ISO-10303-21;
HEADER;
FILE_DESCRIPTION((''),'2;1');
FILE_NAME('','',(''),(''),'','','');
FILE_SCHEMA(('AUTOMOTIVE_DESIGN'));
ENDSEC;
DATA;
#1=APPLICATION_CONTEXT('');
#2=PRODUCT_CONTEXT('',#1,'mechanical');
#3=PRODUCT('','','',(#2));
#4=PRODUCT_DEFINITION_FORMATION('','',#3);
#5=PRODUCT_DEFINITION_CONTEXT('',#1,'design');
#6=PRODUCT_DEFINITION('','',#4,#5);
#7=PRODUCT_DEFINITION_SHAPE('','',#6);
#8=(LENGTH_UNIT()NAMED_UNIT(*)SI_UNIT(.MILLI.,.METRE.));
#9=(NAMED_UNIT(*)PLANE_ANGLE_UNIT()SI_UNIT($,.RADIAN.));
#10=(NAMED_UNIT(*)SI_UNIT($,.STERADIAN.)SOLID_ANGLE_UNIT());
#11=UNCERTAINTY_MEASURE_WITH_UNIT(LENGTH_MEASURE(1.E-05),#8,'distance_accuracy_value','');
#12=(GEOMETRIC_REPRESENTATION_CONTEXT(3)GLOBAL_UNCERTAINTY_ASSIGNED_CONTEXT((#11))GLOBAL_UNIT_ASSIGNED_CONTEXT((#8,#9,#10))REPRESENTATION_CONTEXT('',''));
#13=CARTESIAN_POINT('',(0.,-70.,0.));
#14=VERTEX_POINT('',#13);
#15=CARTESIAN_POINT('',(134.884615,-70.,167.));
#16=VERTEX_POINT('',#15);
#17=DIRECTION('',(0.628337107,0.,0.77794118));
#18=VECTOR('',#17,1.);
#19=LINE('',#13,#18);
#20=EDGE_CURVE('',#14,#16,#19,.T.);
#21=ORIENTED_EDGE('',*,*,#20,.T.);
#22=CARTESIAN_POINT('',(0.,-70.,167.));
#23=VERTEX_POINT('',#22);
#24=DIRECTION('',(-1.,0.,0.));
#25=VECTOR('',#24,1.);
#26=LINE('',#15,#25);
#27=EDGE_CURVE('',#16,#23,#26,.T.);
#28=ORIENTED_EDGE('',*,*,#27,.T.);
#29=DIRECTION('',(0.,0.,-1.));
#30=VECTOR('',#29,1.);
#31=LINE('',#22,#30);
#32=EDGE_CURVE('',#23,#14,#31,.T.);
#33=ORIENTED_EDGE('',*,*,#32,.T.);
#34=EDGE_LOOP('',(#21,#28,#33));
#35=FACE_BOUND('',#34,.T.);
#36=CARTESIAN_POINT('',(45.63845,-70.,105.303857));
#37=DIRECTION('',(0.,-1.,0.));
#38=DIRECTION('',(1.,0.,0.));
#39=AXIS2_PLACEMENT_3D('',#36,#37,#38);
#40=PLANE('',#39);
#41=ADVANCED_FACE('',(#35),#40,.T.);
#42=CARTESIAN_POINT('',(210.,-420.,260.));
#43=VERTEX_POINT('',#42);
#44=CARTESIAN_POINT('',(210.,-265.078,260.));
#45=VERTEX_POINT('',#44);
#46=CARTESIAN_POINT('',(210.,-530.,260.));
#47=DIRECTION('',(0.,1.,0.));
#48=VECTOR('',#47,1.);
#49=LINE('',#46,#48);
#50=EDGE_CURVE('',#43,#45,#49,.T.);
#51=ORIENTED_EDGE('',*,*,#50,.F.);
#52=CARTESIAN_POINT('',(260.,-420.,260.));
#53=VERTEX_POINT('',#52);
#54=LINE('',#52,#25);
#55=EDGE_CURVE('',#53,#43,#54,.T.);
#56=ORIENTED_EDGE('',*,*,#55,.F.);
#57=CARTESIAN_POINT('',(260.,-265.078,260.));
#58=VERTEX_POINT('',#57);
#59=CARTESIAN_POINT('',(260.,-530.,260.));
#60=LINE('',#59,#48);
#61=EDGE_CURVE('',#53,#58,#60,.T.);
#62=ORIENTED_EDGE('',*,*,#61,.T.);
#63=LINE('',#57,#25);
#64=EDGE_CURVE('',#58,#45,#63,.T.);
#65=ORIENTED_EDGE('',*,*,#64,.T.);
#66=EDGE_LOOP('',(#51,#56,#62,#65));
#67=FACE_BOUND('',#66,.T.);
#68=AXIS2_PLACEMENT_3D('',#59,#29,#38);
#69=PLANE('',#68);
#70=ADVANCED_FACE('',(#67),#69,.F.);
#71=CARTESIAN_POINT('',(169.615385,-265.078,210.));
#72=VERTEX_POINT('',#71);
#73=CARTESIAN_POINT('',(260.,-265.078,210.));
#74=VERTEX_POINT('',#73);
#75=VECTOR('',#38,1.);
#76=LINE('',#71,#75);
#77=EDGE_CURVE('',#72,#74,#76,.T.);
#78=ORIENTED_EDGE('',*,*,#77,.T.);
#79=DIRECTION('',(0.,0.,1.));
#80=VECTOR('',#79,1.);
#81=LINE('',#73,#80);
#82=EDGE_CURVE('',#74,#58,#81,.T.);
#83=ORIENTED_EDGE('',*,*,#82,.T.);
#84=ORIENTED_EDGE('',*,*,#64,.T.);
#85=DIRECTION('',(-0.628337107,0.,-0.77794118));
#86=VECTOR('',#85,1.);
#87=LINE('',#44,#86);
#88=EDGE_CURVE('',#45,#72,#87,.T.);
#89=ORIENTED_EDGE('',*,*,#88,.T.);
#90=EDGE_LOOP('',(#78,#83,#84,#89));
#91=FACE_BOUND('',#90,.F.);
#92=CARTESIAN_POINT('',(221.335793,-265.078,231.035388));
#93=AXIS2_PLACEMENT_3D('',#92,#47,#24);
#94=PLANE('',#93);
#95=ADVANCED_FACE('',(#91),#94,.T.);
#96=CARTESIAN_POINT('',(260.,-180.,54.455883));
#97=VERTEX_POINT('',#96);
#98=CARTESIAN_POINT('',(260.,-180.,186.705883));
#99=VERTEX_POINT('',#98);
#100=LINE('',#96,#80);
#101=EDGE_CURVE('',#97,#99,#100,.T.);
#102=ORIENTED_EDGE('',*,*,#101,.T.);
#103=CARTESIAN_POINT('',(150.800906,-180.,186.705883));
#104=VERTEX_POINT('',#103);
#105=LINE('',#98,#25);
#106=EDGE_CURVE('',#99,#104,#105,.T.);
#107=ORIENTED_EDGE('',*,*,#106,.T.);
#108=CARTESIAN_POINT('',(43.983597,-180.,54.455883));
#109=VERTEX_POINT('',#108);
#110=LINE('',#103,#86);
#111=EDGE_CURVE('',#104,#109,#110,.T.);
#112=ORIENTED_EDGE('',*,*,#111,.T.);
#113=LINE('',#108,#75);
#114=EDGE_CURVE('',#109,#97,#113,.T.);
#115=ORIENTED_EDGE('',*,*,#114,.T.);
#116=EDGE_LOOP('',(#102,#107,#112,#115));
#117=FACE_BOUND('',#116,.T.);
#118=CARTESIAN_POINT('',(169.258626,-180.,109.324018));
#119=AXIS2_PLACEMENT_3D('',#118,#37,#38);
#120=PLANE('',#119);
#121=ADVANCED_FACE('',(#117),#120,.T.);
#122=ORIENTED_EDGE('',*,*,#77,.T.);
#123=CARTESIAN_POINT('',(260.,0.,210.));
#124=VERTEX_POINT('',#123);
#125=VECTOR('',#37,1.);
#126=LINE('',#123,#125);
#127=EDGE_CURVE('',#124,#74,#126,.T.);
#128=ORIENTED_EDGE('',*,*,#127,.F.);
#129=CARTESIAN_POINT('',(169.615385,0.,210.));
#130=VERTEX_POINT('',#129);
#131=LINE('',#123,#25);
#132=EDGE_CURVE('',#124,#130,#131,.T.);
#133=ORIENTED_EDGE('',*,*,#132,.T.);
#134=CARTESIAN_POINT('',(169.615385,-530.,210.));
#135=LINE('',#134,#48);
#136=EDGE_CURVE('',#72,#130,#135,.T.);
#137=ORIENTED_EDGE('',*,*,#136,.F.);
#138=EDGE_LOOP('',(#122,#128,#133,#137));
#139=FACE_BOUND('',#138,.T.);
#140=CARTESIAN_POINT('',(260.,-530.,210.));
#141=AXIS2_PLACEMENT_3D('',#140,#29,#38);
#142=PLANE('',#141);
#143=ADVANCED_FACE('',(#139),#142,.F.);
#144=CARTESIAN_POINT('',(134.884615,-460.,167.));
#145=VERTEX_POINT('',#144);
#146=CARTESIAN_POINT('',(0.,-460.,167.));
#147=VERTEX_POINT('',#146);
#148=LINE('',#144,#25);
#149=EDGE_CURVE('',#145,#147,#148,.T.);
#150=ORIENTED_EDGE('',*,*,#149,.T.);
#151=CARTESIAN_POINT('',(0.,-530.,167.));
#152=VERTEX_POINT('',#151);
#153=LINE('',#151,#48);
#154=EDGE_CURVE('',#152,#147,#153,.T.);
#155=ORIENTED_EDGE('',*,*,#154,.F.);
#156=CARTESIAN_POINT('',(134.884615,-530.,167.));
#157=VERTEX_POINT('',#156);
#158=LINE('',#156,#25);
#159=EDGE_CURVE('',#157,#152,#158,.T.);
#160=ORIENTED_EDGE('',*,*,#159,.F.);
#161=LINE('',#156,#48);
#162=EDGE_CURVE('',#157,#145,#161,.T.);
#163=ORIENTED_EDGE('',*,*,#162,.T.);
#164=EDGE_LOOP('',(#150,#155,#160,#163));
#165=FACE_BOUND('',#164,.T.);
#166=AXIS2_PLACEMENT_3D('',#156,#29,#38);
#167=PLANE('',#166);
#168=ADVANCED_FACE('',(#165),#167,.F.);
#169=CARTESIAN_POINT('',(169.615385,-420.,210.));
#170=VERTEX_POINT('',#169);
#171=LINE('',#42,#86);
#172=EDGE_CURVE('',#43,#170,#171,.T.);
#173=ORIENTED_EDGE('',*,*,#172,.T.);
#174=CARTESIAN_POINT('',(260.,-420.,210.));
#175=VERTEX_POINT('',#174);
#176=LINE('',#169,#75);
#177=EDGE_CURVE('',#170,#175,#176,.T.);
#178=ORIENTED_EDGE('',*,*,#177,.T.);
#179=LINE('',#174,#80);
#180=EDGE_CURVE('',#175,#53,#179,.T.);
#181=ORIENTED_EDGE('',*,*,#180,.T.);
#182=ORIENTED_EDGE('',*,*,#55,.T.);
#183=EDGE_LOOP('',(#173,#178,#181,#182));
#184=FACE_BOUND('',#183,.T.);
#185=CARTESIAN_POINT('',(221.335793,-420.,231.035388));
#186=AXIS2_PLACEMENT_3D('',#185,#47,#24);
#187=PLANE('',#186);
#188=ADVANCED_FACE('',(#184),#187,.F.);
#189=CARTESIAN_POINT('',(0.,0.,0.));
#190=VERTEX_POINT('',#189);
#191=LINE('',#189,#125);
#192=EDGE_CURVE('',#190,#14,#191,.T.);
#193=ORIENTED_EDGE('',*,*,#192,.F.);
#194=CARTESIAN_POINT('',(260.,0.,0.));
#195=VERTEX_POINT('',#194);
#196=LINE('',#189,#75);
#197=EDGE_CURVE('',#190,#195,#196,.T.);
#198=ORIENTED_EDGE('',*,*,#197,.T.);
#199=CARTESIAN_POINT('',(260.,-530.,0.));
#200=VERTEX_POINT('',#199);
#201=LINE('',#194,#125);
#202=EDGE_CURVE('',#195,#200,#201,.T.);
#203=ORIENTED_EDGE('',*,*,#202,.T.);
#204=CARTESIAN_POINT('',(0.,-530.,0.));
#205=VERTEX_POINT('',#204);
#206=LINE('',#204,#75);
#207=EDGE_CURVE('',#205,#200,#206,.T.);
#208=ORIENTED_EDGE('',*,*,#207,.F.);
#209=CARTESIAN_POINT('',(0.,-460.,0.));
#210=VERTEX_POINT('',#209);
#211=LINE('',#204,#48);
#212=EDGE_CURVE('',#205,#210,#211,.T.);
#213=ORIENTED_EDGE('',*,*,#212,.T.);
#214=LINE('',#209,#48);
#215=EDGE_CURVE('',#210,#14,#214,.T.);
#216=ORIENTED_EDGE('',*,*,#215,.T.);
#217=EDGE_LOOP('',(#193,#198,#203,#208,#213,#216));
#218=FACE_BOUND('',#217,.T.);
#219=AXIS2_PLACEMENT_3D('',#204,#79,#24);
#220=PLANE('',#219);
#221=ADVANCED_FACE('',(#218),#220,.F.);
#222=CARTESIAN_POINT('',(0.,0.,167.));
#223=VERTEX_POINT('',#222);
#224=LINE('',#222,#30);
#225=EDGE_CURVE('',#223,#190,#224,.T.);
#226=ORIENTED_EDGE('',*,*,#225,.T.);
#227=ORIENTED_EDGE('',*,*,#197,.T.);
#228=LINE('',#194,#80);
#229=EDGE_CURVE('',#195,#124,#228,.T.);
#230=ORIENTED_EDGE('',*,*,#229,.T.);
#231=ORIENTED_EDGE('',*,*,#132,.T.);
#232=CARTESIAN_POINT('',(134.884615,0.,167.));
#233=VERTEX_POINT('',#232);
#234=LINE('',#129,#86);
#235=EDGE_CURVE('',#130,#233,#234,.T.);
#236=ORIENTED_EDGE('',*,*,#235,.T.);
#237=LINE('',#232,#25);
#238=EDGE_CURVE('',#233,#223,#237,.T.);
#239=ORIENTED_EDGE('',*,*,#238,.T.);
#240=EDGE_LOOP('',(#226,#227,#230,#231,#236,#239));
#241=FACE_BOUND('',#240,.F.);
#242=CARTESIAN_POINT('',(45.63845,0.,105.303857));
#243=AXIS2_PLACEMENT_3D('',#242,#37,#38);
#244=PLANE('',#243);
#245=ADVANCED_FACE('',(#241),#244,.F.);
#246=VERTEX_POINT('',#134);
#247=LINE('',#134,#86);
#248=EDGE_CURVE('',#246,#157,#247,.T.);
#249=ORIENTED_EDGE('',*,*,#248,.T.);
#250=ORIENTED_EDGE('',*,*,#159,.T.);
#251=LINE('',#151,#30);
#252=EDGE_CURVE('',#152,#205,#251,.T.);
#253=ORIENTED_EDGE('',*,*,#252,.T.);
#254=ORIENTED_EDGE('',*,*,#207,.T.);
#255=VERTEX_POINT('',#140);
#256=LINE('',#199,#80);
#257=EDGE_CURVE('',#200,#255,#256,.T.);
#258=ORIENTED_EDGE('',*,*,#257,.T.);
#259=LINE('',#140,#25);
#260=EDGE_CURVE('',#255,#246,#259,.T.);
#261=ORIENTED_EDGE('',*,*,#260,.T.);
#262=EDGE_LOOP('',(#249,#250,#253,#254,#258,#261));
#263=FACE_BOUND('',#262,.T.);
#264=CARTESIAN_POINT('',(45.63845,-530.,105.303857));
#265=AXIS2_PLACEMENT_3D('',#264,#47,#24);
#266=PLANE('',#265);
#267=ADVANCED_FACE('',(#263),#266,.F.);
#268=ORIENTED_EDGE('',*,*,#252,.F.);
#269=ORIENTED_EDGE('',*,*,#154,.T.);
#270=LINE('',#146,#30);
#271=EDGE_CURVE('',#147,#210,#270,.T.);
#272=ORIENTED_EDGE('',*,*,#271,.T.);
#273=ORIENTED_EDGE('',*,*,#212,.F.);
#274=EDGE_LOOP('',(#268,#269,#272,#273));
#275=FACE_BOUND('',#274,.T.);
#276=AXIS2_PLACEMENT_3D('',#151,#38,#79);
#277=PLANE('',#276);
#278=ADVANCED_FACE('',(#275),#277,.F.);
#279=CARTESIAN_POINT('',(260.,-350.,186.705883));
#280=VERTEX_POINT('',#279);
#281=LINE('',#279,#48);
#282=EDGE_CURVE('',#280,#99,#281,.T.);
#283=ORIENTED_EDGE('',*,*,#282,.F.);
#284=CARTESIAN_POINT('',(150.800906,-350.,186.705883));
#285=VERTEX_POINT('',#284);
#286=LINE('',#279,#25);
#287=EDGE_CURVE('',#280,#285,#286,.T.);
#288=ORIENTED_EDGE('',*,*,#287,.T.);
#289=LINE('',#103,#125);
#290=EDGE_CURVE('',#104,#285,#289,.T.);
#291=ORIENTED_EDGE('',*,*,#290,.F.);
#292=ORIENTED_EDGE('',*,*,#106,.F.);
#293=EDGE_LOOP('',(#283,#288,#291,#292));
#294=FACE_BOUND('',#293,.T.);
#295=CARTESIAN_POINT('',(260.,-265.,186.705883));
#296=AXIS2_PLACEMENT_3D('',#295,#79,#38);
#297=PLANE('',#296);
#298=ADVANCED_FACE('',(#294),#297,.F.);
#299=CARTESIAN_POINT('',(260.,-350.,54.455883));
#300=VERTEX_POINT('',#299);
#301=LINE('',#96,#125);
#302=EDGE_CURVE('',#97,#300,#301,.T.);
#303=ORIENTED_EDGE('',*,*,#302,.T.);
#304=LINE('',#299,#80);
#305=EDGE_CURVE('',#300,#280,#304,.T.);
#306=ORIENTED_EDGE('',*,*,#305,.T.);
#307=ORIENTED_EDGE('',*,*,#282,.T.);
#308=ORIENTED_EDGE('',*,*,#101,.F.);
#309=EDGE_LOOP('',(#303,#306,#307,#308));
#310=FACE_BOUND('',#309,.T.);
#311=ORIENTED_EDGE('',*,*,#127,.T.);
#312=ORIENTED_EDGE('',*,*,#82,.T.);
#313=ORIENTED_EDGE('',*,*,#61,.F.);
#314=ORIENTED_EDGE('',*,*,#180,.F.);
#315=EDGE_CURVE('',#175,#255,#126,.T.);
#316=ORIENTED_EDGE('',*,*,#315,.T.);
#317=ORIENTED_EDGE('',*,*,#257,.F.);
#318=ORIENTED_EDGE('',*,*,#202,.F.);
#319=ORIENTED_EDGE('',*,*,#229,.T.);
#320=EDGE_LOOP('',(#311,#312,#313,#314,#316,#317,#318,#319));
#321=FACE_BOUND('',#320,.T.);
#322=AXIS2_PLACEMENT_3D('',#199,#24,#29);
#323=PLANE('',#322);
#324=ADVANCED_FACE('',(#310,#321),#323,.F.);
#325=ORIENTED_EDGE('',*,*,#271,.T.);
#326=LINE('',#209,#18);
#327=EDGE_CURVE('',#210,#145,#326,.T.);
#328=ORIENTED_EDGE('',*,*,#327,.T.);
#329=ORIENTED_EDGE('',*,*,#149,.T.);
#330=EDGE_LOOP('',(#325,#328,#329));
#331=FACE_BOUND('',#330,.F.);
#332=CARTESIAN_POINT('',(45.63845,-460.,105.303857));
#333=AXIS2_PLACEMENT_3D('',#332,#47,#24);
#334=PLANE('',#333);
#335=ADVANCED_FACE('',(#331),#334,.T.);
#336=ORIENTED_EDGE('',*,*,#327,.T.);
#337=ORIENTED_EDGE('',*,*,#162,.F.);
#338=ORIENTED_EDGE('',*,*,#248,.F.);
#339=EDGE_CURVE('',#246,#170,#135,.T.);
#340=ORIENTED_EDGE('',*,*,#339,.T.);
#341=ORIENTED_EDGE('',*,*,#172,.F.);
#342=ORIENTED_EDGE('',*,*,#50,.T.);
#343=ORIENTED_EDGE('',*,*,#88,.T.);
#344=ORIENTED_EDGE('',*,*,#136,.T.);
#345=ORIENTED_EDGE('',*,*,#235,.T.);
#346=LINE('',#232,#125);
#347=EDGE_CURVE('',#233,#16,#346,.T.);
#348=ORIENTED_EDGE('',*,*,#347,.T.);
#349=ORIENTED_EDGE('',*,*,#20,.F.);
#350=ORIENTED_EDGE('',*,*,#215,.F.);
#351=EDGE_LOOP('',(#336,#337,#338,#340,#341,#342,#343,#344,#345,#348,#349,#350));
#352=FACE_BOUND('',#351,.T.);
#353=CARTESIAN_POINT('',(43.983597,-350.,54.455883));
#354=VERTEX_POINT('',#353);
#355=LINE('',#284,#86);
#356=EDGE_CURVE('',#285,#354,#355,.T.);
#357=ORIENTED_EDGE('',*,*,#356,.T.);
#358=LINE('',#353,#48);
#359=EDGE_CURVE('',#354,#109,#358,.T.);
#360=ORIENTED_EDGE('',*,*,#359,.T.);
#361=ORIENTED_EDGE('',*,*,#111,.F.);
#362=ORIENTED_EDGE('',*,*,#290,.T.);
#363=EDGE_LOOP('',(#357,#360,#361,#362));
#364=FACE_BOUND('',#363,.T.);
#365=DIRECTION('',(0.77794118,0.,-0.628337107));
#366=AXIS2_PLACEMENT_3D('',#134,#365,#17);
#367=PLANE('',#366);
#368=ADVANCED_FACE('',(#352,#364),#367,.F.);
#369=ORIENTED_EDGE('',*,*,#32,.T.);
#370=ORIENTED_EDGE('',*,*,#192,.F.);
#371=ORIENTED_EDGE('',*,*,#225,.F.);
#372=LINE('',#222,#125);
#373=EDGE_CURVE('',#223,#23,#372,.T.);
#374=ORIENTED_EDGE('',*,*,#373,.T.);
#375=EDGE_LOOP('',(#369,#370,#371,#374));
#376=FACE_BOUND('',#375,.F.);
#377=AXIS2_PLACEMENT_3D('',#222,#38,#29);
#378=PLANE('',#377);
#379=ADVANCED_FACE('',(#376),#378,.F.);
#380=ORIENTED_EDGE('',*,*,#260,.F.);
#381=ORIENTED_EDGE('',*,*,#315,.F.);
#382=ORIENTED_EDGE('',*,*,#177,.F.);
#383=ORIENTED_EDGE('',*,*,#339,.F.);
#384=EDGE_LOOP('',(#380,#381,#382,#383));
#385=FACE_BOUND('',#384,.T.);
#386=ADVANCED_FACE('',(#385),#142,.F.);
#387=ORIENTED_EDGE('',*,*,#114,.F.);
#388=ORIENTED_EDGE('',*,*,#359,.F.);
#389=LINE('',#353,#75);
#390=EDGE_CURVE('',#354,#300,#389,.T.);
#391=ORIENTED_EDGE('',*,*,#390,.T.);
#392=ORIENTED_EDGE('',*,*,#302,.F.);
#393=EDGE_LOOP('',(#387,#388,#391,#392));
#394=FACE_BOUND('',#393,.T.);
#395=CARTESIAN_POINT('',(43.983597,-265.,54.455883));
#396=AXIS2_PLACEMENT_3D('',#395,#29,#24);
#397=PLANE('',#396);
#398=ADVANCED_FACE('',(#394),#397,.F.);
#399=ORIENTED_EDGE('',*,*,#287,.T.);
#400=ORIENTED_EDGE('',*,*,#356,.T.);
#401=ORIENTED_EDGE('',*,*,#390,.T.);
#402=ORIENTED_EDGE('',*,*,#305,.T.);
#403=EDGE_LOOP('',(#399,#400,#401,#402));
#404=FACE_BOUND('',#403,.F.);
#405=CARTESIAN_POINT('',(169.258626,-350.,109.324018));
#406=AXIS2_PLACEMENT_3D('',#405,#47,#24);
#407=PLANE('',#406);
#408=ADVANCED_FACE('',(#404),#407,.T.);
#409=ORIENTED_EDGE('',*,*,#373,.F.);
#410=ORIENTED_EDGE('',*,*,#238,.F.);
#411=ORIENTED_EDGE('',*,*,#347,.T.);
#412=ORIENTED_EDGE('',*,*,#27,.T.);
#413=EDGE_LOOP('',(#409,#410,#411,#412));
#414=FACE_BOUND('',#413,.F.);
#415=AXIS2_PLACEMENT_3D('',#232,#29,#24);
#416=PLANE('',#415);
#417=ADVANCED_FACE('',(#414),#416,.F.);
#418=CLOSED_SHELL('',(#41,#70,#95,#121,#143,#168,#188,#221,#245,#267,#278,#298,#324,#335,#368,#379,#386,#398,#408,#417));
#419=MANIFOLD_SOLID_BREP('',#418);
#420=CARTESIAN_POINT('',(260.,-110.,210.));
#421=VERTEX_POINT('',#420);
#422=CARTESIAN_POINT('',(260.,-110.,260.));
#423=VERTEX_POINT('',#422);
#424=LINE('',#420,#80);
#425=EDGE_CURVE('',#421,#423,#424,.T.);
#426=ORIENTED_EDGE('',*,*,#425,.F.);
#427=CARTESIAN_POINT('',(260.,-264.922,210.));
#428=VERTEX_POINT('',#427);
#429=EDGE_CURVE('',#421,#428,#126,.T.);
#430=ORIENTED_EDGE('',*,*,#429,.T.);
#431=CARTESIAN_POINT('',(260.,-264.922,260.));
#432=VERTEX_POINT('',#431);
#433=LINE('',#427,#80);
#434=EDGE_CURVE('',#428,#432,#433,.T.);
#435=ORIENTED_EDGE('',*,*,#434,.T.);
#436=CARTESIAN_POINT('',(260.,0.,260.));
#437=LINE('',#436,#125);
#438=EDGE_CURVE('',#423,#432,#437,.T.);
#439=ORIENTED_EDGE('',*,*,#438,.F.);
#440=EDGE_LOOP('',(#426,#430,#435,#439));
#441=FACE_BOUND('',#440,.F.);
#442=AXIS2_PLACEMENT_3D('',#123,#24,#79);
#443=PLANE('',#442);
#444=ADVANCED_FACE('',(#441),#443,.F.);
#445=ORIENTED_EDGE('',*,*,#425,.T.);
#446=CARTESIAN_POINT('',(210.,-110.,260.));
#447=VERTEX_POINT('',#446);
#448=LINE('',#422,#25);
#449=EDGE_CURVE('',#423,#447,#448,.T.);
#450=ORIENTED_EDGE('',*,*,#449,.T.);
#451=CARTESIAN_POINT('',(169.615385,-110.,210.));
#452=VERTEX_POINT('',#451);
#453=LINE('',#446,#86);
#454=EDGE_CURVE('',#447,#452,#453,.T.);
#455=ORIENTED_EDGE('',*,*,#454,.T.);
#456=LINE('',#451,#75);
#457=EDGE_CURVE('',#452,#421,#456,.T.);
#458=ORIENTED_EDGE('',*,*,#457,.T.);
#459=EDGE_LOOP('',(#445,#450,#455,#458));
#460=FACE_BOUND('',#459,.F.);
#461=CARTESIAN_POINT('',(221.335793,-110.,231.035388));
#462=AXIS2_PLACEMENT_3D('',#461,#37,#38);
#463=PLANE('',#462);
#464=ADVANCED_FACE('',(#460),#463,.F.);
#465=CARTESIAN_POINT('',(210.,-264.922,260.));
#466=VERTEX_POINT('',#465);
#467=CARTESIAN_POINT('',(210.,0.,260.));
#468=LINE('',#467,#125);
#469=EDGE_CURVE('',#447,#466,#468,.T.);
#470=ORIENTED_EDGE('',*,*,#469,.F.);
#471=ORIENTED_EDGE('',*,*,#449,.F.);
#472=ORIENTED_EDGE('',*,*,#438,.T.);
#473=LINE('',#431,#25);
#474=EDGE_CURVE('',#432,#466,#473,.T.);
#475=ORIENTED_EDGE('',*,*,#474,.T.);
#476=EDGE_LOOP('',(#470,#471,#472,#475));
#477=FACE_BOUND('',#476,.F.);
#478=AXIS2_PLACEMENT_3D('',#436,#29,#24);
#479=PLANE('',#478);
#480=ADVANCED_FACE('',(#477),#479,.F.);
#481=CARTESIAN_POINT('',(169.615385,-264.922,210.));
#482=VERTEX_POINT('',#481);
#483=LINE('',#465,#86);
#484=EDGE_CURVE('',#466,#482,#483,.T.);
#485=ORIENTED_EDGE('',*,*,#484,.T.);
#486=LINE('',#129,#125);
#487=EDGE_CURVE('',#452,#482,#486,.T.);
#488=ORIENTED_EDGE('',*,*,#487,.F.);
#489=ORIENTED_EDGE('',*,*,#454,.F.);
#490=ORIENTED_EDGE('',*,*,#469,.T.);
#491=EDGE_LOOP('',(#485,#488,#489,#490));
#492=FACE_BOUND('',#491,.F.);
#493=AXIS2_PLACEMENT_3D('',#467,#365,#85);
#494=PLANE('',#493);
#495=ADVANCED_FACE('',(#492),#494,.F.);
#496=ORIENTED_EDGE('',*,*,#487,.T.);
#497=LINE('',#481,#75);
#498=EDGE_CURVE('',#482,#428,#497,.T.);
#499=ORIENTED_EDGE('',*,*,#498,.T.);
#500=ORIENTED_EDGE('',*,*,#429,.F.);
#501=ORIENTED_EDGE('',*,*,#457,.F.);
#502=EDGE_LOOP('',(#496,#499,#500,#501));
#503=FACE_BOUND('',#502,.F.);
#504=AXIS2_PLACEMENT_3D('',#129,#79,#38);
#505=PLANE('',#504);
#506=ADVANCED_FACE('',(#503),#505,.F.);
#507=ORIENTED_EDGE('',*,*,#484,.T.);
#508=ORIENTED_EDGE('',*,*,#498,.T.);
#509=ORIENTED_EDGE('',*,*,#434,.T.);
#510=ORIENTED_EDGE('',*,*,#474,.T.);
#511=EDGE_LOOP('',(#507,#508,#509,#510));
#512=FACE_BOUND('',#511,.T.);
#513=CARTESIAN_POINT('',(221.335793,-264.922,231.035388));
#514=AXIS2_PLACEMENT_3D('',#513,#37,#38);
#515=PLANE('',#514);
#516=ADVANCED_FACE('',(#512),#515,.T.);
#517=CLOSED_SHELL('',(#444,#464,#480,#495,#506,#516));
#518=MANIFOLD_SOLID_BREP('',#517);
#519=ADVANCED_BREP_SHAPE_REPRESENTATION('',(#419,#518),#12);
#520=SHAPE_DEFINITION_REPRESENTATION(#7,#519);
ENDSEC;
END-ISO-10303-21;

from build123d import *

# Parameters (mm, degrees)
F1_DEPTH = 265
F2_DEPTH = 70
F3_DEPTH = 264.922
F4_DEPTH = 110
F6_DEPTH = 85


with BuildPart() as f1:
    # F0 (on Front) → F1 (new body)
    with BuildSketch(Plane.XZ):
        Polygon((134.8846153846, 167), (0, 0), (260, 0), (260, 210), (169.6153846154, 210), align=None)
    extrude(amount=F1_DEPTH)

    # F0 (on Front) → F2 (join)
    with BuildSketch(Plane.XZ):
        Polygon((0, 167), (0, 0), (134.8846153846, 167), align=None)
    extrude(amount=F2_DEPTH)

    # F5 (on face) → F6 (cut)
    with BuildSketch(Plane.XZ.offset(265)):
        Polygon((260, 186.7058832489), (150.800905701, 186.7058832489), (43.9835974961, 54.4558826143), (260, 54.4558826143), align=None)
    extrude(amount=-F6_DEPTH, mode=Mode.SUBTRACT)

    # F7: F1, F3 across face


with BuildPart() as f3:
    # F0 (on Front) → F3 (new body)
    with BuildSketch(Plane.XZ):
        Polygon((210, 260), (169.6153846154, 210), (260, 210), (260, 260), align=None)
    extrude(amount=F3_DEPTH)

    # F4 (cut): a face of the model
    f4_faces = [f3.faces().sort_by_distance(p)[0] for p in [
        (223.9357218124, 0, 232.602739726),
    ]]
    extrude(f4_faces, amount=-F4_DEPTH, mode=Mode.SUBTRACT)


with BuildPart() as f1_1:
    add(f1.part)
    add(f1.part.mirror(Plane(origin=(140.6572281226, -265, 26.3893267798), x_dir=(1, 0, 0), z_dir=(0, -1, 0))))
    add(f3.part.mirror(Plane(origin=(140.6572281226, -265, 26.3893267798), x_dir=(1, 0, 0), z_dir=(0, -1, 0))))


solid = Compound([f3.part, f1_1.part])
